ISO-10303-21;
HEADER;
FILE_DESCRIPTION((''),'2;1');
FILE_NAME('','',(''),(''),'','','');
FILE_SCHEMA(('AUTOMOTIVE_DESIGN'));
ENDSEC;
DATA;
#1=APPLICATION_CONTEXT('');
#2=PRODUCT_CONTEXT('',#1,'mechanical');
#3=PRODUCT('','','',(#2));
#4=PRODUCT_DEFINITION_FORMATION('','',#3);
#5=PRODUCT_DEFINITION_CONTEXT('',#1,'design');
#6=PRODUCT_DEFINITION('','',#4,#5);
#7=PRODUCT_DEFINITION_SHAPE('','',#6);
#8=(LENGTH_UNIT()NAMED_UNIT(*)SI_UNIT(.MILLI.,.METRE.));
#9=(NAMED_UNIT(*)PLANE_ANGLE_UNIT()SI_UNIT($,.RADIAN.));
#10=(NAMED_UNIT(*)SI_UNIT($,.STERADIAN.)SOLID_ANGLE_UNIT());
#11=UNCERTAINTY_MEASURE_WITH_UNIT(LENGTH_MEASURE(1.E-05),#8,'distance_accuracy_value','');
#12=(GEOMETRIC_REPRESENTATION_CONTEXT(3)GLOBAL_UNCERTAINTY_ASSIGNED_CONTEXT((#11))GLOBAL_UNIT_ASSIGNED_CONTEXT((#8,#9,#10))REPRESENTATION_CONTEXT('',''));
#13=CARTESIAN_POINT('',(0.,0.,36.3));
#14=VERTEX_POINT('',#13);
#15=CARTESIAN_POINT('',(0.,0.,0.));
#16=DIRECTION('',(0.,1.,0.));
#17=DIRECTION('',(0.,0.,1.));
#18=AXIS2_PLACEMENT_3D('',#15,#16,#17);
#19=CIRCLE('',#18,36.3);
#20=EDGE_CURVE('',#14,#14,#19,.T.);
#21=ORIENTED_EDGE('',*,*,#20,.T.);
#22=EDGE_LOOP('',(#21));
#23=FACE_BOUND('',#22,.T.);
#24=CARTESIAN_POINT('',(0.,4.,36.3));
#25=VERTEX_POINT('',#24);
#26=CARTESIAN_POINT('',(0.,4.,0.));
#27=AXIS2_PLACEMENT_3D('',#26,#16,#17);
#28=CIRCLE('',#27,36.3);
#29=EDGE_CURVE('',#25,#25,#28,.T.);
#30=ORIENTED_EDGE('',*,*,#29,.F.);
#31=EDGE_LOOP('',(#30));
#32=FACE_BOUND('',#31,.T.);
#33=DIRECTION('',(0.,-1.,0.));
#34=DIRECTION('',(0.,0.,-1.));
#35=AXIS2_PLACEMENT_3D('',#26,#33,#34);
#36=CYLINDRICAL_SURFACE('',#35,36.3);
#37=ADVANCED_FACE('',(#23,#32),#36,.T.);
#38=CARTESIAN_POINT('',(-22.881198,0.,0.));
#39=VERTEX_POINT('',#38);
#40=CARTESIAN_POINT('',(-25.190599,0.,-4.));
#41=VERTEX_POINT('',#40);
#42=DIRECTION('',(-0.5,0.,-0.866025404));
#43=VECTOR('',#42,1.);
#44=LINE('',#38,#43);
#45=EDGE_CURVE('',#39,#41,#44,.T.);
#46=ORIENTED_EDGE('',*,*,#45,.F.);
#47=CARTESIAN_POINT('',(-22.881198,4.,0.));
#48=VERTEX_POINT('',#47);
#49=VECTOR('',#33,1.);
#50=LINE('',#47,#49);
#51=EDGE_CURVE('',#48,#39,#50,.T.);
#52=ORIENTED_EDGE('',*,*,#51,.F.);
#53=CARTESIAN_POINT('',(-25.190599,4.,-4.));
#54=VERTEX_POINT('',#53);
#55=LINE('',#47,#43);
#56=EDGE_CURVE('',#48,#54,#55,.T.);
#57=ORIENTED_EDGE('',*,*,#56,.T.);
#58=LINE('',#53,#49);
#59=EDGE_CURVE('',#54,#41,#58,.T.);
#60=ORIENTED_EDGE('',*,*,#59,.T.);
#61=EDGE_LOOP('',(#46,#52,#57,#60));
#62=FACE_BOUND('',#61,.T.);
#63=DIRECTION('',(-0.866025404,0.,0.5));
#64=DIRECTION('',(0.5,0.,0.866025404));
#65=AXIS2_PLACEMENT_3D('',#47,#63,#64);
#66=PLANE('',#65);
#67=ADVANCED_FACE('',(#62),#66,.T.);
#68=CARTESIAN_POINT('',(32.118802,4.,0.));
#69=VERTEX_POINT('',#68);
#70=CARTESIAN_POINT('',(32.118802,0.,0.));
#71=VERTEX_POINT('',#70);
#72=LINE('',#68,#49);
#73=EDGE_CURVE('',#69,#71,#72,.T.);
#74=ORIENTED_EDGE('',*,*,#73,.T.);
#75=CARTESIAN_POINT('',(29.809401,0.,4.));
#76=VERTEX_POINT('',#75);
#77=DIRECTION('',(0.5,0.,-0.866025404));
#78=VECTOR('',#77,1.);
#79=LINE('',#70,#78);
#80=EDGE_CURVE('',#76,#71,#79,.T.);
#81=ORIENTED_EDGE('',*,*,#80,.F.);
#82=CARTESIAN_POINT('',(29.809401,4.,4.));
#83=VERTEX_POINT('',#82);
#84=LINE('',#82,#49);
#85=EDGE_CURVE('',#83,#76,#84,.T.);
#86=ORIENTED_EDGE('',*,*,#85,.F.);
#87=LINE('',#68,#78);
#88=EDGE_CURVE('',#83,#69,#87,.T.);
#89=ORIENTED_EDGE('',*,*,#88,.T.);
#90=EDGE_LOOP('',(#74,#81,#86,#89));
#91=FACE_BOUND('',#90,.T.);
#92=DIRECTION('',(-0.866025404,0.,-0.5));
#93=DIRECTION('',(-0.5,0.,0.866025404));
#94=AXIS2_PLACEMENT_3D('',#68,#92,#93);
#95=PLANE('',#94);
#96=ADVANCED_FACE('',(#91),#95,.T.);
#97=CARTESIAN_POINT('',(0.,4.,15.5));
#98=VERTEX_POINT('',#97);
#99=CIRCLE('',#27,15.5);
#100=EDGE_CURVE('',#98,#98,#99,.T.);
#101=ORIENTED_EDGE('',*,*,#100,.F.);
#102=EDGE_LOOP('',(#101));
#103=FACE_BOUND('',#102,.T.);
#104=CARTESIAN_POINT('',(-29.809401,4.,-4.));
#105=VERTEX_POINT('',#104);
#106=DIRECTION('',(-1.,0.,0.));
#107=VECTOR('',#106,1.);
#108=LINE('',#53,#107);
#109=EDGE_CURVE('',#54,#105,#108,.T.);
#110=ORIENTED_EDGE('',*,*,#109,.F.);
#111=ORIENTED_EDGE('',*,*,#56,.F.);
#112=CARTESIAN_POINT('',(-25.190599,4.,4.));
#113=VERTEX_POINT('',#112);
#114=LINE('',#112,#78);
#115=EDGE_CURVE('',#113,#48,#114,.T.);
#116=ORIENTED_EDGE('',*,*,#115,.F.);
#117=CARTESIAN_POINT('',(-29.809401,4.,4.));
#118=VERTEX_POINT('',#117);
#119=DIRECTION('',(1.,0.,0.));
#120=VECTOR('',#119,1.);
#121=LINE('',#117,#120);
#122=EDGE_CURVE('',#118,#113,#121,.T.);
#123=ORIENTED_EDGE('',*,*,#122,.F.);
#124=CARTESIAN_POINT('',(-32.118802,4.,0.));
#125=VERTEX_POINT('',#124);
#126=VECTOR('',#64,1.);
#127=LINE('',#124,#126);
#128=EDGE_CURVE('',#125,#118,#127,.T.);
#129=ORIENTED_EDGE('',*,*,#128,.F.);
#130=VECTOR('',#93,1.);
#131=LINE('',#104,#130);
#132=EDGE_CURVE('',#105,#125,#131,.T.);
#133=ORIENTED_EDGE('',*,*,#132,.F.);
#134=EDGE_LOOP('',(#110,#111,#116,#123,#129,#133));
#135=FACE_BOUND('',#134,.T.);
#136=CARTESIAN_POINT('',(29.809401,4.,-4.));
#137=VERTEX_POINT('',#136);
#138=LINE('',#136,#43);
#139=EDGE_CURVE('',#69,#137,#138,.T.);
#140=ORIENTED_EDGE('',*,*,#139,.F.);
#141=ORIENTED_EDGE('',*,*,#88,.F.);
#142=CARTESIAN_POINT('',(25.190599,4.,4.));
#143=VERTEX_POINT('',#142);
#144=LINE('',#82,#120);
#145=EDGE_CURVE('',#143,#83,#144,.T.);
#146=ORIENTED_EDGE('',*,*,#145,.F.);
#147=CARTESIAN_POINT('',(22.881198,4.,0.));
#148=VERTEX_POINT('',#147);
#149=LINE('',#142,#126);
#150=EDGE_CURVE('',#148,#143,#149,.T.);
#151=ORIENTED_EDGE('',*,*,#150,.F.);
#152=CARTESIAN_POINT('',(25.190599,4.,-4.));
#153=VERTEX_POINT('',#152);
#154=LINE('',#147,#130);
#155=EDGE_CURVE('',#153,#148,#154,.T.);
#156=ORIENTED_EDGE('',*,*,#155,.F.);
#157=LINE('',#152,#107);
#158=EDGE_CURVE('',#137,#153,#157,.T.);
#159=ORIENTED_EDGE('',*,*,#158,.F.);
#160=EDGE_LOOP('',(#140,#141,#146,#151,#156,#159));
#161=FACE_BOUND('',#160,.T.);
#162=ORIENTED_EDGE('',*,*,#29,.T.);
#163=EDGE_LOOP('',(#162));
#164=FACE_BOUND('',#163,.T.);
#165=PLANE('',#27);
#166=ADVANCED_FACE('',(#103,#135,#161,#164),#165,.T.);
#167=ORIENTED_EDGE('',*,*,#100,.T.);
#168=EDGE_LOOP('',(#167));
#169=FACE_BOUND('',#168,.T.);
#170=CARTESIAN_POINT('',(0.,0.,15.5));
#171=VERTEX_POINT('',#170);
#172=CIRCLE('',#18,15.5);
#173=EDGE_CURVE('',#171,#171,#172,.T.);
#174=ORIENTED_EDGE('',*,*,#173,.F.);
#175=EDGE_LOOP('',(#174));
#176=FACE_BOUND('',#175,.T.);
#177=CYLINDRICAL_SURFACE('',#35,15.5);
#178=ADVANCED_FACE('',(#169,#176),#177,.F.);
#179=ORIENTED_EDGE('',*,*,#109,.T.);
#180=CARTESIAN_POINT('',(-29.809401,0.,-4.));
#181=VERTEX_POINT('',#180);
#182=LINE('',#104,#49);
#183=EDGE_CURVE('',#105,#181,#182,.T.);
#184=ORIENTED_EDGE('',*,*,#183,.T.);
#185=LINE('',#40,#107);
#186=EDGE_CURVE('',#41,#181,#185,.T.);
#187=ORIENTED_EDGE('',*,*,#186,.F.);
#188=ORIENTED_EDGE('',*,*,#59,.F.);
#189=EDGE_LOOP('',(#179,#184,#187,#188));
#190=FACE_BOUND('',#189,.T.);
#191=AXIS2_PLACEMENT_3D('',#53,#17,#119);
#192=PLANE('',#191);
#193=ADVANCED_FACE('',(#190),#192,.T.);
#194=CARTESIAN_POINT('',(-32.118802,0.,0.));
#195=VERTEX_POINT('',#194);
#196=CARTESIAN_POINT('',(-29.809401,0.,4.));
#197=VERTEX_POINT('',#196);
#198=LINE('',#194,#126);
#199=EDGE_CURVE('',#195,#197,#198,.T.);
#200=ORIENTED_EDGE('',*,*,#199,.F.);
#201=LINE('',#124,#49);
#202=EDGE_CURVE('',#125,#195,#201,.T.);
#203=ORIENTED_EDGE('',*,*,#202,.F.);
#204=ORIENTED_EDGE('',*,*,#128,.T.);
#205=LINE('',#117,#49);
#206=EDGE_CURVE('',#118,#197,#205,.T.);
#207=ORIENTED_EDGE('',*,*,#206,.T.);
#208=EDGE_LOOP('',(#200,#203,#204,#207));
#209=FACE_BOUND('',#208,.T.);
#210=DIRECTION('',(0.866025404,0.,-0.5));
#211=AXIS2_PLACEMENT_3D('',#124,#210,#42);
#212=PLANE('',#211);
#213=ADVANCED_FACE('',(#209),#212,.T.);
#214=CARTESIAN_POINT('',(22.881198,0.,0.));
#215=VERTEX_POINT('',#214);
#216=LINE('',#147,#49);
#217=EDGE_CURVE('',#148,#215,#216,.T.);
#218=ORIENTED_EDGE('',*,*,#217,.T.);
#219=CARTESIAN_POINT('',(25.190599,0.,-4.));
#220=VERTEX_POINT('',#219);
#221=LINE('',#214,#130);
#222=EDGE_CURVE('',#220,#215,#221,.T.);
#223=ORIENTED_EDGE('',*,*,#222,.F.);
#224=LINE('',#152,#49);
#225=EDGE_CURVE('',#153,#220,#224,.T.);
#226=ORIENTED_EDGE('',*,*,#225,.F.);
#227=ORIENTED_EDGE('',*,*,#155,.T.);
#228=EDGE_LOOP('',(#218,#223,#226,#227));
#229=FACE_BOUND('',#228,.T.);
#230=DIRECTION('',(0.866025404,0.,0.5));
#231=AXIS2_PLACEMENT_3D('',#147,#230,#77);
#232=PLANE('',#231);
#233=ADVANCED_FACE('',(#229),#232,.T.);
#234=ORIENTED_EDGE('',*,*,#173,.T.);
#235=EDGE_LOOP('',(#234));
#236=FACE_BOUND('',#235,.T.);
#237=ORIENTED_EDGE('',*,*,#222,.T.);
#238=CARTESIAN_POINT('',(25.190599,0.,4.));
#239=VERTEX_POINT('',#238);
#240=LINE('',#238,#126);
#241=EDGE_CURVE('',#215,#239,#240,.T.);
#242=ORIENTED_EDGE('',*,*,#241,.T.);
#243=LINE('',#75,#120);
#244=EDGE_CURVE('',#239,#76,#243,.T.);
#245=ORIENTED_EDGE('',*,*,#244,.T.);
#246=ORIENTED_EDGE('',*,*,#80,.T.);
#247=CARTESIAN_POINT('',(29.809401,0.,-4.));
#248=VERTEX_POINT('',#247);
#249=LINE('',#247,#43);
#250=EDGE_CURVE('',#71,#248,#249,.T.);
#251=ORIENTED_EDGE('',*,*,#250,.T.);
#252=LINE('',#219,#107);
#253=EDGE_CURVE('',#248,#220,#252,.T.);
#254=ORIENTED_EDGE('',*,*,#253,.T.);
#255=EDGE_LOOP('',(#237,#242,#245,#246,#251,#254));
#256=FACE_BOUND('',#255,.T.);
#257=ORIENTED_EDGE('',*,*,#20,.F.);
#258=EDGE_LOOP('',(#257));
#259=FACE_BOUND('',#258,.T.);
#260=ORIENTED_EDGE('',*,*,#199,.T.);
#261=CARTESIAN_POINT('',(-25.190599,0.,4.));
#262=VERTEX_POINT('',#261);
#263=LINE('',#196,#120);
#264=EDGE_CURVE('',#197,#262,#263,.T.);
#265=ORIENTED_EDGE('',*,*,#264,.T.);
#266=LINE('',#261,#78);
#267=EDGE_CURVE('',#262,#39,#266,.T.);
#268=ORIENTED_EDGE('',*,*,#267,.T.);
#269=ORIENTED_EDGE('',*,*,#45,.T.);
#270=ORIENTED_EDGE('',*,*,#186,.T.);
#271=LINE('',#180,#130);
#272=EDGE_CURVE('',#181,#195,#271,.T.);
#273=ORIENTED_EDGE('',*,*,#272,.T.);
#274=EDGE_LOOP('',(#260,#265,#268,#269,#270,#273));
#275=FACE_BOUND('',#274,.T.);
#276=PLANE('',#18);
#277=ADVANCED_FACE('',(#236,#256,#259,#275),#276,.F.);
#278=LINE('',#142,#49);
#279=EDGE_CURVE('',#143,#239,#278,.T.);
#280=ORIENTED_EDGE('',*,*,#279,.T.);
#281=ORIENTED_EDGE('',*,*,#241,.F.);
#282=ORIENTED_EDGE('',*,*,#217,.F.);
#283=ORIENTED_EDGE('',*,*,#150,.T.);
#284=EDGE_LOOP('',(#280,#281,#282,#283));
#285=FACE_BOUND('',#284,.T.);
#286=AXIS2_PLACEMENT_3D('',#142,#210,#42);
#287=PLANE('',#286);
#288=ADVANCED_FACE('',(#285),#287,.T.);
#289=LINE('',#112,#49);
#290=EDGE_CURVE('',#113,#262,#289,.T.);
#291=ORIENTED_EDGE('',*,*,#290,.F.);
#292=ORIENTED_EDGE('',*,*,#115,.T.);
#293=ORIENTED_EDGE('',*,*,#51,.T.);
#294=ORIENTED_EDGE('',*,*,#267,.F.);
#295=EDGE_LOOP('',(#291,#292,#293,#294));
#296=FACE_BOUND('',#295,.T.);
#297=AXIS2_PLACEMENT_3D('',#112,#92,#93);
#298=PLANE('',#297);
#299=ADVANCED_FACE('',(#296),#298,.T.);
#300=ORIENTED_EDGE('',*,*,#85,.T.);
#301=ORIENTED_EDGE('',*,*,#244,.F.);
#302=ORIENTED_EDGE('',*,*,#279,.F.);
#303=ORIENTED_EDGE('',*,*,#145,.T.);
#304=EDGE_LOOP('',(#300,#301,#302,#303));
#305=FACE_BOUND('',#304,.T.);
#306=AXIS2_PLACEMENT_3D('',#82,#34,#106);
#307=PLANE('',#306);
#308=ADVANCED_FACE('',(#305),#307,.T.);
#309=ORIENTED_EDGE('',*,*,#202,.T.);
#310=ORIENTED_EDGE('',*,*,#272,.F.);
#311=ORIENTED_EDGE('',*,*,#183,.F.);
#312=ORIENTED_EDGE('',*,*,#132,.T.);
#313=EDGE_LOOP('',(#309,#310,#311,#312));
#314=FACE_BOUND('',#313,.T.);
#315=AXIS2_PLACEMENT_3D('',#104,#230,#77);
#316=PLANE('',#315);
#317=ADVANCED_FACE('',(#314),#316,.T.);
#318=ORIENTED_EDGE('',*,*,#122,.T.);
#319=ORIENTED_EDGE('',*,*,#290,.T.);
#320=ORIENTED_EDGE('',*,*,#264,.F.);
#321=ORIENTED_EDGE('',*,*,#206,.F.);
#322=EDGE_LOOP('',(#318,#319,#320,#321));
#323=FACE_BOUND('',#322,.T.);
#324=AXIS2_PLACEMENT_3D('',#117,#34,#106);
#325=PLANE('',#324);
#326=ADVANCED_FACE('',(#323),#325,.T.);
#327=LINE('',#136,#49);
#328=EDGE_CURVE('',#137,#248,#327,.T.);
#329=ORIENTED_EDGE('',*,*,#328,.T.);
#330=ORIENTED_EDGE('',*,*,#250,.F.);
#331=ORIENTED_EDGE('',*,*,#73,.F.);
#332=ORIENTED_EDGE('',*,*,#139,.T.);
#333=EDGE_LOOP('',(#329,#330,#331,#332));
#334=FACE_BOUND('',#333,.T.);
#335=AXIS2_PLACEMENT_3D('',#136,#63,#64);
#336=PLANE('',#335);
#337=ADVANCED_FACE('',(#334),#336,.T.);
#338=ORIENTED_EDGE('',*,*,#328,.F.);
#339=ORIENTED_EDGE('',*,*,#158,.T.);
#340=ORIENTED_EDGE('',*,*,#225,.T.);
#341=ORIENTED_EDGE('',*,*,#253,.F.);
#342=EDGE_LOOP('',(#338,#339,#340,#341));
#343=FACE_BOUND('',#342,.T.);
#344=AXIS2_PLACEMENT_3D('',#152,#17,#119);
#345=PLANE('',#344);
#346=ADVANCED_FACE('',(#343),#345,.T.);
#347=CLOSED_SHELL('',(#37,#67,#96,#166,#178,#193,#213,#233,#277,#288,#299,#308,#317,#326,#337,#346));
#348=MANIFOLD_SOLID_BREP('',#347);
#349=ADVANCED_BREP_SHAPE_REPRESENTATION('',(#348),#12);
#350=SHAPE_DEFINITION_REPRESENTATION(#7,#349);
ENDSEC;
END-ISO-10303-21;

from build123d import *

# Parameters (mm, degrees)
SKETCH1_R           = 36.3
SKETCH1_R_2         = 15.5
BOSS_EXTRUDE1_DEPTH = 4


with BuildPart() as part:
    # Sketch1 → Boss-Extrude1 (new body)
    with BuildSketch(Plane(origin=(0, 0, 0), x_dir=(1, 0, 0), z_dir=(0, 1, 0))):
        with Locations(Location((0, 0, 0), (0, 0, 270))):
            Circle(SKETCH1_R)
        with Locations(Location((0, 0, 0), (0, 0, 270))):
            Circle(SKETCH1_R_2, mode=Mode.SUBTRACT)
        Polygon((25.190598923, -4), (22.881197846, 0), (25.190598923, 4), (29.809401077, 4), (32.118802154, 0), (29.809401077, -4), align=None, mode=Mode.SUBTRACT)
        Polygon((-22.881197846, 0), (-25.190598923, 4), (-29.809401077, 4), (-32.118802154, 0), (-29.809401077, -4), (-25.190598923, -4), align=None, mode=Mode.SUBTRACT)
    extrude(amount=BOSS_EXTRUDE1_DEPTH)


solid = part.part
